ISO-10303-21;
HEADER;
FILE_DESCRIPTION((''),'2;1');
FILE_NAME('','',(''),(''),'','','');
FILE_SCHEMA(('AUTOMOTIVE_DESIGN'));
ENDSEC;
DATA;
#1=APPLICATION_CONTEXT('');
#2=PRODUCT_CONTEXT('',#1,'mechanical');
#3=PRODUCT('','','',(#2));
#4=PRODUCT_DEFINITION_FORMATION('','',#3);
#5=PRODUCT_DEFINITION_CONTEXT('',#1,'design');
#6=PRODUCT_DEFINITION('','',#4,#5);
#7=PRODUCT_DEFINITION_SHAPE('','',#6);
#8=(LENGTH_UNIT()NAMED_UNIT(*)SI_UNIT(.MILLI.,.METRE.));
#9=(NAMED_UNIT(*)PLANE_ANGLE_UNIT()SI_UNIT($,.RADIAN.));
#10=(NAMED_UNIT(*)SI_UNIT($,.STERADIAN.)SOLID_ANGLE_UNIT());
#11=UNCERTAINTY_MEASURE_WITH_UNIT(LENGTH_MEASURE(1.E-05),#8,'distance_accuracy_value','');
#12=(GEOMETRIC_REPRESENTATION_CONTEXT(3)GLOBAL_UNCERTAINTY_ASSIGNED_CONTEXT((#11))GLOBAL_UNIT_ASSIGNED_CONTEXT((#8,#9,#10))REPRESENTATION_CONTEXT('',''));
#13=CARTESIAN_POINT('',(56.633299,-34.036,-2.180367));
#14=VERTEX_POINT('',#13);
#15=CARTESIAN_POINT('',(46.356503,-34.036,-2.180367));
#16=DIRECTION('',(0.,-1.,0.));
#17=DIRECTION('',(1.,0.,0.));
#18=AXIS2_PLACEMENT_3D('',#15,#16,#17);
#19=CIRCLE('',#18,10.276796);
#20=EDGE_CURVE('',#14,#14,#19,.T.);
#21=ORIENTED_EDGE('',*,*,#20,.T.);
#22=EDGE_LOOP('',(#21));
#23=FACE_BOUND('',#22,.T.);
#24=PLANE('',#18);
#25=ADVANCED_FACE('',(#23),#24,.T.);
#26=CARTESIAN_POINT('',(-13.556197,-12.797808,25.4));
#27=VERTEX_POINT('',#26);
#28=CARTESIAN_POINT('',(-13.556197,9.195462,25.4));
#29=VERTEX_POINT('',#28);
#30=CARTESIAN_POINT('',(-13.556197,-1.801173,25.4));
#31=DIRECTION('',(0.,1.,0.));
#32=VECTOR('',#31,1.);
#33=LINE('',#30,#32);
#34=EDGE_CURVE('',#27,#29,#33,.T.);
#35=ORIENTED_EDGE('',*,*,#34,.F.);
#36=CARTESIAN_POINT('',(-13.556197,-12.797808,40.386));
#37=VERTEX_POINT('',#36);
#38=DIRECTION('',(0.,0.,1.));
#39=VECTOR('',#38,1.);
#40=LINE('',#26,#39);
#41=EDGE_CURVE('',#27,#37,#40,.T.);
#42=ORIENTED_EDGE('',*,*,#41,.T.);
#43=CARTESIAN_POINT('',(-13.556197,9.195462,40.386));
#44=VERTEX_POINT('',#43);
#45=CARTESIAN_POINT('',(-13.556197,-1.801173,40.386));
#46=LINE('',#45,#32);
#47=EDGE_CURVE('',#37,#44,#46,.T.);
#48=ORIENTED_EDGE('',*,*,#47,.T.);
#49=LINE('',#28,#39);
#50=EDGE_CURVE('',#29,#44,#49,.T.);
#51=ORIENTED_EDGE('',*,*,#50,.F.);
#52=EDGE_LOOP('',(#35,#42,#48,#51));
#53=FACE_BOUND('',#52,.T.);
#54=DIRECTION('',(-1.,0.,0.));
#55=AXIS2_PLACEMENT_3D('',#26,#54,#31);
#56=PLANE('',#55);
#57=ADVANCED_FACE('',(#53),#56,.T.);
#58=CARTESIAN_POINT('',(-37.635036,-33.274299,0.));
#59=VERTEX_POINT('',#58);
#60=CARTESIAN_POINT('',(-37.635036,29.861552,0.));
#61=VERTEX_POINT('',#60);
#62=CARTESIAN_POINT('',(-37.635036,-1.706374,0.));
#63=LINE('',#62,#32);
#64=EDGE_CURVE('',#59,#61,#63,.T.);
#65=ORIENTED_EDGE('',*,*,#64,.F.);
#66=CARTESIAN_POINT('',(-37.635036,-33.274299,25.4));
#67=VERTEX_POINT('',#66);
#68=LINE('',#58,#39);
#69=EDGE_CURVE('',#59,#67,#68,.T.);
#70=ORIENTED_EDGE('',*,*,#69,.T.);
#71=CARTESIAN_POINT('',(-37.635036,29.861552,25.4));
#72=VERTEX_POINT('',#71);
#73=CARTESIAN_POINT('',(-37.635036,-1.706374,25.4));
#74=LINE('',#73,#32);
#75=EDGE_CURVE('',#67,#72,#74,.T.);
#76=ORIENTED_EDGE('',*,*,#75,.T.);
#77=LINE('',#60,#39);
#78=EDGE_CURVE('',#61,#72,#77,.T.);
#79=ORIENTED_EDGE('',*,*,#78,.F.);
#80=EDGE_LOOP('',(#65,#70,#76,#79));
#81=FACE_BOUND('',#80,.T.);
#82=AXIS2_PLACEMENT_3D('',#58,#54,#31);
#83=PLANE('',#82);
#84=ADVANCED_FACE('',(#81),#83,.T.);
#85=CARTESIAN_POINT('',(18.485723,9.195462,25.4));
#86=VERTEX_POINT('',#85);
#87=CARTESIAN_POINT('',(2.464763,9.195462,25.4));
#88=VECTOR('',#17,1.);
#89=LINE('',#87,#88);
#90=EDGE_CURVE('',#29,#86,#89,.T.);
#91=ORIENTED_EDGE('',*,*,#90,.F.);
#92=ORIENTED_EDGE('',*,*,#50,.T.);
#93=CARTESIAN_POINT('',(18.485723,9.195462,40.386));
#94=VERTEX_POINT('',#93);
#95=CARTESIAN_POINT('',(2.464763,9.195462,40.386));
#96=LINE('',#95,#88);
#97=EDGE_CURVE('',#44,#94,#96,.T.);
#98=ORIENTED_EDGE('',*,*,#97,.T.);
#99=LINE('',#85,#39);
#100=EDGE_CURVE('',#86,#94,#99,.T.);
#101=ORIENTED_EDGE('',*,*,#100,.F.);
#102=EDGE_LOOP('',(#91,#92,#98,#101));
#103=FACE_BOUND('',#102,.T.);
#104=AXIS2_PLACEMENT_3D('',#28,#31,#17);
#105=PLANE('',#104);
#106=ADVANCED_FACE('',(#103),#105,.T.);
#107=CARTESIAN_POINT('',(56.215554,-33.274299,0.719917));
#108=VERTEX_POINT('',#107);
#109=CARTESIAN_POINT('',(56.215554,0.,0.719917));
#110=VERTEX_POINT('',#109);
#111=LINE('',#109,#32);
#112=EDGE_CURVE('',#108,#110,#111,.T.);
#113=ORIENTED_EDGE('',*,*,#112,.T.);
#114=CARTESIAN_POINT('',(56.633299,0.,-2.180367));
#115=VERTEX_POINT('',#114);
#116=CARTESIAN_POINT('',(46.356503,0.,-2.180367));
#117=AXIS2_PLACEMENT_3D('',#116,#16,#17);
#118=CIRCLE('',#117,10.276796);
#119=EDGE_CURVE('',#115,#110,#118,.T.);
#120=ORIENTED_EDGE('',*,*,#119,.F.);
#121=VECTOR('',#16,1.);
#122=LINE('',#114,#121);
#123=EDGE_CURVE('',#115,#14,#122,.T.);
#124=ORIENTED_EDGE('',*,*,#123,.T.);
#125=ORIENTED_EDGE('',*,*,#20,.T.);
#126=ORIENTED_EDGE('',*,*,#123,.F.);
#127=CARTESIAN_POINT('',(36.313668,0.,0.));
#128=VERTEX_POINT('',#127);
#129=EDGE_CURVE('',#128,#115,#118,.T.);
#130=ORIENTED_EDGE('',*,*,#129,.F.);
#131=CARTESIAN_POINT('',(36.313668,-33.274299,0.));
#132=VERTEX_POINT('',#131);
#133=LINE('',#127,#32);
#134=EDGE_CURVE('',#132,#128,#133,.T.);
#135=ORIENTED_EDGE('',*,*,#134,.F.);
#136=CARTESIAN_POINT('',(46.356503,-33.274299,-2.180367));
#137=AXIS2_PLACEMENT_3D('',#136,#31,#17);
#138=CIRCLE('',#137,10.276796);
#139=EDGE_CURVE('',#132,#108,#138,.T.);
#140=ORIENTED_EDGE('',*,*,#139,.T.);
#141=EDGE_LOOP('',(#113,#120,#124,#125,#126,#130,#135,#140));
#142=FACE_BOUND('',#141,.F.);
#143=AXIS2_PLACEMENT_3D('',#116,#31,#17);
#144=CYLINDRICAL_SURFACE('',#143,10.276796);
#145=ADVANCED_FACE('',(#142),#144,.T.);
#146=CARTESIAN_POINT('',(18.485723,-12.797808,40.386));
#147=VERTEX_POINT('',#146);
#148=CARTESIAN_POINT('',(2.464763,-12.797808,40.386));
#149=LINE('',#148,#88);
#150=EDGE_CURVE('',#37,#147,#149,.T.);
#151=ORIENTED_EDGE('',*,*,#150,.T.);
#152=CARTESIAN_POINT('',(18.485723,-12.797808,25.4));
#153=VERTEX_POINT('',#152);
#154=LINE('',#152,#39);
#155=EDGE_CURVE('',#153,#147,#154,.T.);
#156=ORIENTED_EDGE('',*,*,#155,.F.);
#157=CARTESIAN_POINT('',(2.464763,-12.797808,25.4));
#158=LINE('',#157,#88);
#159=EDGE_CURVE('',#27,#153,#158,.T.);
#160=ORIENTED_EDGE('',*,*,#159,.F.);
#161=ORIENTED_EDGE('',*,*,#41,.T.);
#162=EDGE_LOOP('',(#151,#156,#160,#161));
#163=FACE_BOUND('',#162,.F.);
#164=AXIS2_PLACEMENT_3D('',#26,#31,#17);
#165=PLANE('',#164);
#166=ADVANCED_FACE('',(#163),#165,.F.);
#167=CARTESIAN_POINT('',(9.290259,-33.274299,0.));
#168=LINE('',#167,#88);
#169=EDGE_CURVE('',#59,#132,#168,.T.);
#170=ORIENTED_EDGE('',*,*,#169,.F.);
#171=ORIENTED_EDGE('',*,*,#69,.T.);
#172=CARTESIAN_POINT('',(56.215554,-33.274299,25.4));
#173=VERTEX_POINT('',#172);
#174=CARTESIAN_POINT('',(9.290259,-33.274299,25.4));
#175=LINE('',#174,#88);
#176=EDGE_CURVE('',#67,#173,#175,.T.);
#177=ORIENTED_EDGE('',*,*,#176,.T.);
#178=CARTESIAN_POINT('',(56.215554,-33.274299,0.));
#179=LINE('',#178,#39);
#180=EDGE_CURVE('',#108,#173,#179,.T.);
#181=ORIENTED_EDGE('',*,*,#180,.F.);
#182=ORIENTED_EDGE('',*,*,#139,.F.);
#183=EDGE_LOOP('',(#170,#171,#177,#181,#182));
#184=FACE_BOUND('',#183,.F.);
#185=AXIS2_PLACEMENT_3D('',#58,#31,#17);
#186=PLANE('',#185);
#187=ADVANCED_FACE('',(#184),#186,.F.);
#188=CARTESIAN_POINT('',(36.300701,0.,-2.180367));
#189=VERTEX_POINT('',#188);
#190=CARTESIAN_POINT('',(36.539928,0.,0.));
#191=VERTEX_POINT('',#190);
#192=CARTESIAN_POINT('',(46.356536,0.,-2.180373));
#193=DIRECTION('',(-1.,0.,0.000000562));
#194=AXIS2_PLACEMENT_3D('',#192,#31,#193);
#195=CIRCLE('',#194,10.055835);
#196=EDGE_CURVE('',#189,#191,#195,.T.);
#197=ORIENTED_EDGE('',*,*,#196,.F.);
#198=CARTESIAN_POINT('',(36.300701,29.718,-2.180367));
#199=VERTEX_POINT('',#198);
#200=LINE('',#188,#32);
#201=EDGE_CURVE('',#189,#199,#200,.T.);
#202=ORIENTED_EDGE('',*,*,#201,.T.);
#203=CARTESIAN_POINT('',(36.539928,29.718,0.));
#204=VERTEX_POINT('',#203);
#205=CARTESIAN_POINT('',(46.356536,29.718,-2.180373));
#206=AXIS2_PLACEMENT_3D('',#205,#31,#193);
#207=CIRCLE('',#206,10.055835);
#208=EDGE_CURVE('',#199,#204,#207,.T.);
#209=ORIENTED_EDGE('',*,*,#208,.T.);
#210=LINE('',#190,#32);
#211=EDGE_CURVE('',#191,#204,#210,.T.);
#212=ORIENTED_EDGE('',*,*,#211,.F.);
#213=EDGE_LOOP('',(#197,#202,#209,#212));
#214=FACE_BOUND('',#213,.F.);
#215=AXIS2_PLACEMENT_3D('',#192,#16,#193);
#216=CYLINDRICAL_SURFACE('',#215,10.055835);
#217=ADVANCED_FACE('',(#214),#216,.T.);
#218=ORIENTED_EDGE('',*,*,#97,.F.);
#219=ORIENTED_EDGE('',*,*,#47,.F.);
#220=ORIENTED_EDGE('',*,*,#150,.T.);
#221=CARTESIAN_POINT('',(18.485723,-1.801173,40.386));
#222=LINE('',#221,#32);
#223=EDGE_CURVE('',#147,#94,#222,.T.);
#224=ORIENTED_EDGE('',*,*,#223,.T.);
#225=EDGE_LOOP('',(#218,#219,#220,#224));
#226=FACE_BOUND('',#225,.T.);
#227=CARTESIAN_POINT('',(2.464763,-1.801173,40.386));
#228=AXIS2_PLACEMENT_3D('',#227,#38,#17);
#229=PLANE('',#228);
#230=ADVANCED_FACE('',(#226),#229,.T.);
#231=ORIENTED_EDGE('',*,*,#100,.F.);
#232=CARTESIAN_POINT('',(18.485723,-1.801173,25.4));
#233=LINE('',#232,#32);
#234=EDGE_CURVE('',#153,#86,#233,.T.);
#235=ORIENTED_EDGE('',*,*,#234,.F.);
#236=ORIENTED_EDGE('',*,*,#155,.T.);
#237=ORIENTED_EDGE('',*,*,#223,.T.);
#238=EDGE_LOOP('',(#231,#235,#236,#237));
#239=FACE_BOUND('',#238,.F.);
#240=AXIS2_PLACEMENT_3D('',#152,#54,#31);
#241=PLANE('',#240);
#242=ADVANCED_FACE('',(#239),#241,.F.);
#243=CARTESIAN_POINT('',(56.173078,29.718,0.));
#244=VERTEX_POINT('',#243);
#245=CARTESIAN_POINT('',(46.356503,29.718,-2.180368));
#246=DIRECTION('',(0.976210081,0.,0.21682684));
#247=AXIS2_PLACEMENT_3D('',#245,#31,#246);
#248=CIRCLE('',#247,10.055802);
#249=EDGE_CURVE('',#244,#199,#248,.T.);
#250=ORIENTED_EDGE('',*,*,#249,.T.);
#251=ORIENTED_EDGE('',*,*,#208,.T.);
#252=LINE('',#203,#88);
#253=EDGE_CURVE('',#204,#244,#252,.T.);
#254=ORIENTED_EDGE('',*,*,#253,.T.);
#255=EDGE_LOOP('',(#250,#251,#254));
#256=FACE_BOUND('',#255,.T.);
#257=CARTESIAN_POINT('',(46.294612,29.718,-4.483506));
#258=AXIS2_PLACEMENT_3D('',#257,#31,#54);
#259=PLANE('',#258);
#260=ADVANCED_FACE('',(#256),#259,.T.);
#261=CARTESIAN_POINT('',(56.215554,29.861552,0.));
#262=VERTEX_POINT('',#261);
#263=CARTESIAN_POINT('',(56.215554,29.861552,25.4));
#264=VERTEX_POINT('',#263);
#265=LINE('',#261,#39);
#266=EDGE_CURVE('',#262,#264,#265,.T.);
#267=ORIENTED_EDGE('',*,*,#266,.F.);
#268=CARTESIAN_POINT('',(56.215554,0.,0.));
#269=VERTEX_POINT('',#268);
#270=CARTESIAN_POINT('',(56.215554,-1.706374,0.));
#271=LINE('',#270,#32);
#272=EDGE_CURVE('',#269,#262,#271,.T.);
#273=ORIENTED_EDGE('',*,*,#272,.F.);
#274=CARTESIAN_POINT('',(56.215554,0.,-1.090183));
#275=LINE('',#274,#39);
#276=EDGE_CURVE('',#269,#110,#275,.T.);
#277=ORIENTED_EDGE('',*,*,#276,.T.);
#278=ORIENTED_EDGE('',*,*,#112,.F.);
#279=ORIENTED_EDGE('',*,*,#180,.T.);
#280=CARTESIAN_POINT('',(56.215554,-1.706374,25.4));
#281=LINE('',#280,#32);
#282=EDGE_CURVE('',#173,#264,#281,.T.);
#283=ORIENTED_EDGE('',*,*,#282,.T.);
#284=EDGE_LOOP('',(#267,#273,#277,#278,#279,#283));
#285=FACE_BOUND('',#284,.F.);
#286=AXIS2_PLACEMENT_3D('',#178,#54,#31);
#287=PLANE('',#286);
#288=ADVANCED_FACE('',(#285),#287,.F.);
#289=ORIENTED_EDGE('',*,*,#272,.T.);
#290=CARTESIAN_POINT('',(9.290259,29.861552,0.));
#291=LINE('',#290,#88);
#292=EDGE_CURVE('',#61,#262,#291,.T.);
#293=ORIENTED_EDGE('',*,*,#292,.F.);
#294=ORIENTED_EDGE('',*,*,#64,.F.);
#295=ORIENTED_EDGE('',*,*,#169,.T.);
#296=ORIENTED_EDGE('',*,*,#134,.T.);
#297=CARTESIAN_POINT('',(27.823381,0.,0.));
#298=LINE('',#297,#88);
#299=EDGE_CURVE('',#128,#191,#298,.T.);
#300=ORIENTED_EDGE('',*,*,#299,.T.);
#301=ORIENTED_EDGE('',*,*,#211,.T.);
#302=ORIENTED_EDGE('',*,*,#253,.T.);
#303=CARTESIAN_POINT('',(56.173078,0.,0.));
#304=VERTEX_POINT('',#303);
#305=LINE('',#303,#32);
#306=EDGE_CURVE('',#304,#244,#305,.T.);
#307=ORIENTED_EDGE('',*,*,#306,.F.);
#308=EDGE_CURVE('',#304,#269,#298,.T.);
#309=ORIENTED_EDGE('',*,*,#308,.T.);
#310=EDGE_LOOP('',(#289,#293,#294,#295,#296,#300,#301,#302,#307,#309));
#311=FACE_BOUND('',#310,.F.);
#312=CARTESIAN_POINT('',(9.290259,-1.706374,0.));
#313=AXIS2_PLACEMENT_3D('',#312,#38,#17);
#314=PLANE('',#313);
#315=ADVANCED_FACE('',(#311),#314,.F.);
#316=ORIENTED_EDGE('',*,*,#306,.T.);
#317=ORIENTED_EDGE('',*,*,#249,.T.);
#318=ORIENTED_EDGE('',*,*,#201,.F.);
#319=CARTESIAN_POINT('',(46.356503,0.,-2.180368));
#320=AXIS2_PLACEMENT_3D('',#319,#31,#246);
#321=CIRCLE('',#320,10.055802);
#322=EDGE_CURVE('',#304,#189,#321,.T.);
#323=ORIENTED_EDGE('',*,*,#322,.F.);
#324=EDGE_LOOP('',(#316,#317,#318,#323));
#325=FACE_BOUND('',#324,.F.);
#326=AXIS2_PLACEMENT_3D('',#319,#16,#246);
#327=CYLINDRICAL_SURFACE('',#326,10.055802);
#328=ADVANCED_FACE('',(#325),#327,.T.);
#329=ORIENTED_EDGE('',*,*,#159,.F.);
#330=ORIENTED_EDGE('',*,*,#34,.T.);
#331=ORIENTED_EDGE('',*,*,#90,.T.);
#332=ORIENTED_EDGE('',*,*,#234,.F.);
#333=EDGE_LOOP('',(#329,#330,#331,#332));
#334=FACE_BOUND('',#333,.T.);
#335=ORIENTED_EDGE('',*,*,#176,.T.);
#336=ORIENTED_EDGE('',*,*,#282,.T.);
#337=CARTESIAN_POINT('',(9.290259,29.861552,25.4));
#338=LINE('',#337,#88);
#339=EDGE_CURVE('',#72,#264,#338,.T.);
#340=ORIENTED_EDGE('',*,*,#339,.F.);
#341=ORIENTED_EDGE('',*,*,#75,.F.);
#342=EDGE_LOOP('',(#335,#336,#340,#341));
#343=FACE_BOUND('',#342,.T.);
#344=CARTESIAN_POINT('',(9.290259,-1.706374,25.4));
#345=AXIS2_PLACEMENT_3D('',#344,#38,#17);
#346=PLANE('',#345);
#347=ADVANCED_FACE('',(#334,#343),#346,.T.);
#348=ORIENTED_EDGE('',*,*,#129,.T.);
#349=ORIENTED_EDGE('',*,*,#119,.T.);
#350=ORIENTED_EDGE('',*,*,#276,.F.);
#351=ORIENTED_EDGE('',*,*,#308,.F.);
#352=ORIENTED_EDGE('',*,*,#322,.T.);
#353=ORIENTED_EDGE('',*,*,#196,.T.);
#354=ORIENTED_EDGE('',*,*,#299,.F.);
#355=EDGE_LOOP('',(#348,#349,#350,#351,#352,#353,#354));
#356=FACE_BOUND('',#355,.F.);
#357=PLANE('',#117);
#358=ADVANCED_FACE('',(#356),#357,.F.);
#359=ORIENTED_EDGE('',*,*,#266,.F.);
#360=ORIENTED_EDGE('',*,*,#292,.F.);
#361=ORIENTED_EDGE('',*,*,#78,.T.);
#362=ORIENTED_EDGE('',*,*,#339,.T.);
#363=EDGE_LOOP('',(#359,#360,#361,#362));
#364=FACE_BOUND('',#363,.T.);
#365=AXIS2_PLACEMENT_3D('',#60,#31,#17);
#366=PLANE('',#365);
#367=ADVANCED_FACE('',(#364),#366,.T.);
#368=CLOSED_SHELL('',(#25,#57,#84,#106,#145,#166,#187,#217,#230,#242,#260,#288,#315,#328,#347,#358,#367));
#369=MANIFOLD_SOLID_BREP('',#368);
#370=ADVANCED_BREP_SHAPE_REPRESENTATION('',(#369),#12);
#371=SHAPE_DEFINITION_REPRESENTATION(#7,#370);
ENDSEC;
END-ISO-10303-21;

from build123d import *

# Parameters (mm, degrees)
F0_W     = 93.85059
F0_H     = 63.135851
F1_DEPTH = 25.4
F2_R     = 10.276796
F3_DEPTH = 34.036
F5_DEPTH = 29.718
F6_W     = 32.04192
F6_H     = 21.99327
F7_DEPTH = 14.986


with BuildPart() as f1:
    # F0 (on Top) → F1 (new body)
    with BuildSketch(Plane.XY):
        with Locations((9.290259, -1.706374)):
            Rectangle(F0_W, F0_H)
    extrude(amount=F1_DEPTH)

    # F2 (on Front) → F3 (join)
    with BuildSketch(Plane.XZ):
        with Locations((46.356503, -2.180367)):
            Circle(F2_R)
    extrude(amount=F3_DEPTH)

    # F4 (on face) → F5 (join)
    with BuildSketch(Plane(origin=(0, 0, 0), x_dir=(-1, 0, 0), z_dir=(0, 1, 0))):
        with BuildLine():
            ThreePointArc((-56.173078, 0), (-47.453229, -12.176184), (-36.300701, -2.180367))
            ThreePointArc((-36.300701, -2.180367), (-36.360687, -1.083641), (-36.539928, 0))
            Line((-36.539928, 0), (-56.173078, 0))
        make_face()
    extrude(amount=F5_DEPTH)

    # F6 (on face) → F7 (join)
    with BuildSketch(Plane.XY.offset(25.4)):
        with Locations((2.464763, -1.801173)):
            Rectangle(F6_W, F6_H)
    extrude(amount=F7_DEPTH)


solid = f1.part
